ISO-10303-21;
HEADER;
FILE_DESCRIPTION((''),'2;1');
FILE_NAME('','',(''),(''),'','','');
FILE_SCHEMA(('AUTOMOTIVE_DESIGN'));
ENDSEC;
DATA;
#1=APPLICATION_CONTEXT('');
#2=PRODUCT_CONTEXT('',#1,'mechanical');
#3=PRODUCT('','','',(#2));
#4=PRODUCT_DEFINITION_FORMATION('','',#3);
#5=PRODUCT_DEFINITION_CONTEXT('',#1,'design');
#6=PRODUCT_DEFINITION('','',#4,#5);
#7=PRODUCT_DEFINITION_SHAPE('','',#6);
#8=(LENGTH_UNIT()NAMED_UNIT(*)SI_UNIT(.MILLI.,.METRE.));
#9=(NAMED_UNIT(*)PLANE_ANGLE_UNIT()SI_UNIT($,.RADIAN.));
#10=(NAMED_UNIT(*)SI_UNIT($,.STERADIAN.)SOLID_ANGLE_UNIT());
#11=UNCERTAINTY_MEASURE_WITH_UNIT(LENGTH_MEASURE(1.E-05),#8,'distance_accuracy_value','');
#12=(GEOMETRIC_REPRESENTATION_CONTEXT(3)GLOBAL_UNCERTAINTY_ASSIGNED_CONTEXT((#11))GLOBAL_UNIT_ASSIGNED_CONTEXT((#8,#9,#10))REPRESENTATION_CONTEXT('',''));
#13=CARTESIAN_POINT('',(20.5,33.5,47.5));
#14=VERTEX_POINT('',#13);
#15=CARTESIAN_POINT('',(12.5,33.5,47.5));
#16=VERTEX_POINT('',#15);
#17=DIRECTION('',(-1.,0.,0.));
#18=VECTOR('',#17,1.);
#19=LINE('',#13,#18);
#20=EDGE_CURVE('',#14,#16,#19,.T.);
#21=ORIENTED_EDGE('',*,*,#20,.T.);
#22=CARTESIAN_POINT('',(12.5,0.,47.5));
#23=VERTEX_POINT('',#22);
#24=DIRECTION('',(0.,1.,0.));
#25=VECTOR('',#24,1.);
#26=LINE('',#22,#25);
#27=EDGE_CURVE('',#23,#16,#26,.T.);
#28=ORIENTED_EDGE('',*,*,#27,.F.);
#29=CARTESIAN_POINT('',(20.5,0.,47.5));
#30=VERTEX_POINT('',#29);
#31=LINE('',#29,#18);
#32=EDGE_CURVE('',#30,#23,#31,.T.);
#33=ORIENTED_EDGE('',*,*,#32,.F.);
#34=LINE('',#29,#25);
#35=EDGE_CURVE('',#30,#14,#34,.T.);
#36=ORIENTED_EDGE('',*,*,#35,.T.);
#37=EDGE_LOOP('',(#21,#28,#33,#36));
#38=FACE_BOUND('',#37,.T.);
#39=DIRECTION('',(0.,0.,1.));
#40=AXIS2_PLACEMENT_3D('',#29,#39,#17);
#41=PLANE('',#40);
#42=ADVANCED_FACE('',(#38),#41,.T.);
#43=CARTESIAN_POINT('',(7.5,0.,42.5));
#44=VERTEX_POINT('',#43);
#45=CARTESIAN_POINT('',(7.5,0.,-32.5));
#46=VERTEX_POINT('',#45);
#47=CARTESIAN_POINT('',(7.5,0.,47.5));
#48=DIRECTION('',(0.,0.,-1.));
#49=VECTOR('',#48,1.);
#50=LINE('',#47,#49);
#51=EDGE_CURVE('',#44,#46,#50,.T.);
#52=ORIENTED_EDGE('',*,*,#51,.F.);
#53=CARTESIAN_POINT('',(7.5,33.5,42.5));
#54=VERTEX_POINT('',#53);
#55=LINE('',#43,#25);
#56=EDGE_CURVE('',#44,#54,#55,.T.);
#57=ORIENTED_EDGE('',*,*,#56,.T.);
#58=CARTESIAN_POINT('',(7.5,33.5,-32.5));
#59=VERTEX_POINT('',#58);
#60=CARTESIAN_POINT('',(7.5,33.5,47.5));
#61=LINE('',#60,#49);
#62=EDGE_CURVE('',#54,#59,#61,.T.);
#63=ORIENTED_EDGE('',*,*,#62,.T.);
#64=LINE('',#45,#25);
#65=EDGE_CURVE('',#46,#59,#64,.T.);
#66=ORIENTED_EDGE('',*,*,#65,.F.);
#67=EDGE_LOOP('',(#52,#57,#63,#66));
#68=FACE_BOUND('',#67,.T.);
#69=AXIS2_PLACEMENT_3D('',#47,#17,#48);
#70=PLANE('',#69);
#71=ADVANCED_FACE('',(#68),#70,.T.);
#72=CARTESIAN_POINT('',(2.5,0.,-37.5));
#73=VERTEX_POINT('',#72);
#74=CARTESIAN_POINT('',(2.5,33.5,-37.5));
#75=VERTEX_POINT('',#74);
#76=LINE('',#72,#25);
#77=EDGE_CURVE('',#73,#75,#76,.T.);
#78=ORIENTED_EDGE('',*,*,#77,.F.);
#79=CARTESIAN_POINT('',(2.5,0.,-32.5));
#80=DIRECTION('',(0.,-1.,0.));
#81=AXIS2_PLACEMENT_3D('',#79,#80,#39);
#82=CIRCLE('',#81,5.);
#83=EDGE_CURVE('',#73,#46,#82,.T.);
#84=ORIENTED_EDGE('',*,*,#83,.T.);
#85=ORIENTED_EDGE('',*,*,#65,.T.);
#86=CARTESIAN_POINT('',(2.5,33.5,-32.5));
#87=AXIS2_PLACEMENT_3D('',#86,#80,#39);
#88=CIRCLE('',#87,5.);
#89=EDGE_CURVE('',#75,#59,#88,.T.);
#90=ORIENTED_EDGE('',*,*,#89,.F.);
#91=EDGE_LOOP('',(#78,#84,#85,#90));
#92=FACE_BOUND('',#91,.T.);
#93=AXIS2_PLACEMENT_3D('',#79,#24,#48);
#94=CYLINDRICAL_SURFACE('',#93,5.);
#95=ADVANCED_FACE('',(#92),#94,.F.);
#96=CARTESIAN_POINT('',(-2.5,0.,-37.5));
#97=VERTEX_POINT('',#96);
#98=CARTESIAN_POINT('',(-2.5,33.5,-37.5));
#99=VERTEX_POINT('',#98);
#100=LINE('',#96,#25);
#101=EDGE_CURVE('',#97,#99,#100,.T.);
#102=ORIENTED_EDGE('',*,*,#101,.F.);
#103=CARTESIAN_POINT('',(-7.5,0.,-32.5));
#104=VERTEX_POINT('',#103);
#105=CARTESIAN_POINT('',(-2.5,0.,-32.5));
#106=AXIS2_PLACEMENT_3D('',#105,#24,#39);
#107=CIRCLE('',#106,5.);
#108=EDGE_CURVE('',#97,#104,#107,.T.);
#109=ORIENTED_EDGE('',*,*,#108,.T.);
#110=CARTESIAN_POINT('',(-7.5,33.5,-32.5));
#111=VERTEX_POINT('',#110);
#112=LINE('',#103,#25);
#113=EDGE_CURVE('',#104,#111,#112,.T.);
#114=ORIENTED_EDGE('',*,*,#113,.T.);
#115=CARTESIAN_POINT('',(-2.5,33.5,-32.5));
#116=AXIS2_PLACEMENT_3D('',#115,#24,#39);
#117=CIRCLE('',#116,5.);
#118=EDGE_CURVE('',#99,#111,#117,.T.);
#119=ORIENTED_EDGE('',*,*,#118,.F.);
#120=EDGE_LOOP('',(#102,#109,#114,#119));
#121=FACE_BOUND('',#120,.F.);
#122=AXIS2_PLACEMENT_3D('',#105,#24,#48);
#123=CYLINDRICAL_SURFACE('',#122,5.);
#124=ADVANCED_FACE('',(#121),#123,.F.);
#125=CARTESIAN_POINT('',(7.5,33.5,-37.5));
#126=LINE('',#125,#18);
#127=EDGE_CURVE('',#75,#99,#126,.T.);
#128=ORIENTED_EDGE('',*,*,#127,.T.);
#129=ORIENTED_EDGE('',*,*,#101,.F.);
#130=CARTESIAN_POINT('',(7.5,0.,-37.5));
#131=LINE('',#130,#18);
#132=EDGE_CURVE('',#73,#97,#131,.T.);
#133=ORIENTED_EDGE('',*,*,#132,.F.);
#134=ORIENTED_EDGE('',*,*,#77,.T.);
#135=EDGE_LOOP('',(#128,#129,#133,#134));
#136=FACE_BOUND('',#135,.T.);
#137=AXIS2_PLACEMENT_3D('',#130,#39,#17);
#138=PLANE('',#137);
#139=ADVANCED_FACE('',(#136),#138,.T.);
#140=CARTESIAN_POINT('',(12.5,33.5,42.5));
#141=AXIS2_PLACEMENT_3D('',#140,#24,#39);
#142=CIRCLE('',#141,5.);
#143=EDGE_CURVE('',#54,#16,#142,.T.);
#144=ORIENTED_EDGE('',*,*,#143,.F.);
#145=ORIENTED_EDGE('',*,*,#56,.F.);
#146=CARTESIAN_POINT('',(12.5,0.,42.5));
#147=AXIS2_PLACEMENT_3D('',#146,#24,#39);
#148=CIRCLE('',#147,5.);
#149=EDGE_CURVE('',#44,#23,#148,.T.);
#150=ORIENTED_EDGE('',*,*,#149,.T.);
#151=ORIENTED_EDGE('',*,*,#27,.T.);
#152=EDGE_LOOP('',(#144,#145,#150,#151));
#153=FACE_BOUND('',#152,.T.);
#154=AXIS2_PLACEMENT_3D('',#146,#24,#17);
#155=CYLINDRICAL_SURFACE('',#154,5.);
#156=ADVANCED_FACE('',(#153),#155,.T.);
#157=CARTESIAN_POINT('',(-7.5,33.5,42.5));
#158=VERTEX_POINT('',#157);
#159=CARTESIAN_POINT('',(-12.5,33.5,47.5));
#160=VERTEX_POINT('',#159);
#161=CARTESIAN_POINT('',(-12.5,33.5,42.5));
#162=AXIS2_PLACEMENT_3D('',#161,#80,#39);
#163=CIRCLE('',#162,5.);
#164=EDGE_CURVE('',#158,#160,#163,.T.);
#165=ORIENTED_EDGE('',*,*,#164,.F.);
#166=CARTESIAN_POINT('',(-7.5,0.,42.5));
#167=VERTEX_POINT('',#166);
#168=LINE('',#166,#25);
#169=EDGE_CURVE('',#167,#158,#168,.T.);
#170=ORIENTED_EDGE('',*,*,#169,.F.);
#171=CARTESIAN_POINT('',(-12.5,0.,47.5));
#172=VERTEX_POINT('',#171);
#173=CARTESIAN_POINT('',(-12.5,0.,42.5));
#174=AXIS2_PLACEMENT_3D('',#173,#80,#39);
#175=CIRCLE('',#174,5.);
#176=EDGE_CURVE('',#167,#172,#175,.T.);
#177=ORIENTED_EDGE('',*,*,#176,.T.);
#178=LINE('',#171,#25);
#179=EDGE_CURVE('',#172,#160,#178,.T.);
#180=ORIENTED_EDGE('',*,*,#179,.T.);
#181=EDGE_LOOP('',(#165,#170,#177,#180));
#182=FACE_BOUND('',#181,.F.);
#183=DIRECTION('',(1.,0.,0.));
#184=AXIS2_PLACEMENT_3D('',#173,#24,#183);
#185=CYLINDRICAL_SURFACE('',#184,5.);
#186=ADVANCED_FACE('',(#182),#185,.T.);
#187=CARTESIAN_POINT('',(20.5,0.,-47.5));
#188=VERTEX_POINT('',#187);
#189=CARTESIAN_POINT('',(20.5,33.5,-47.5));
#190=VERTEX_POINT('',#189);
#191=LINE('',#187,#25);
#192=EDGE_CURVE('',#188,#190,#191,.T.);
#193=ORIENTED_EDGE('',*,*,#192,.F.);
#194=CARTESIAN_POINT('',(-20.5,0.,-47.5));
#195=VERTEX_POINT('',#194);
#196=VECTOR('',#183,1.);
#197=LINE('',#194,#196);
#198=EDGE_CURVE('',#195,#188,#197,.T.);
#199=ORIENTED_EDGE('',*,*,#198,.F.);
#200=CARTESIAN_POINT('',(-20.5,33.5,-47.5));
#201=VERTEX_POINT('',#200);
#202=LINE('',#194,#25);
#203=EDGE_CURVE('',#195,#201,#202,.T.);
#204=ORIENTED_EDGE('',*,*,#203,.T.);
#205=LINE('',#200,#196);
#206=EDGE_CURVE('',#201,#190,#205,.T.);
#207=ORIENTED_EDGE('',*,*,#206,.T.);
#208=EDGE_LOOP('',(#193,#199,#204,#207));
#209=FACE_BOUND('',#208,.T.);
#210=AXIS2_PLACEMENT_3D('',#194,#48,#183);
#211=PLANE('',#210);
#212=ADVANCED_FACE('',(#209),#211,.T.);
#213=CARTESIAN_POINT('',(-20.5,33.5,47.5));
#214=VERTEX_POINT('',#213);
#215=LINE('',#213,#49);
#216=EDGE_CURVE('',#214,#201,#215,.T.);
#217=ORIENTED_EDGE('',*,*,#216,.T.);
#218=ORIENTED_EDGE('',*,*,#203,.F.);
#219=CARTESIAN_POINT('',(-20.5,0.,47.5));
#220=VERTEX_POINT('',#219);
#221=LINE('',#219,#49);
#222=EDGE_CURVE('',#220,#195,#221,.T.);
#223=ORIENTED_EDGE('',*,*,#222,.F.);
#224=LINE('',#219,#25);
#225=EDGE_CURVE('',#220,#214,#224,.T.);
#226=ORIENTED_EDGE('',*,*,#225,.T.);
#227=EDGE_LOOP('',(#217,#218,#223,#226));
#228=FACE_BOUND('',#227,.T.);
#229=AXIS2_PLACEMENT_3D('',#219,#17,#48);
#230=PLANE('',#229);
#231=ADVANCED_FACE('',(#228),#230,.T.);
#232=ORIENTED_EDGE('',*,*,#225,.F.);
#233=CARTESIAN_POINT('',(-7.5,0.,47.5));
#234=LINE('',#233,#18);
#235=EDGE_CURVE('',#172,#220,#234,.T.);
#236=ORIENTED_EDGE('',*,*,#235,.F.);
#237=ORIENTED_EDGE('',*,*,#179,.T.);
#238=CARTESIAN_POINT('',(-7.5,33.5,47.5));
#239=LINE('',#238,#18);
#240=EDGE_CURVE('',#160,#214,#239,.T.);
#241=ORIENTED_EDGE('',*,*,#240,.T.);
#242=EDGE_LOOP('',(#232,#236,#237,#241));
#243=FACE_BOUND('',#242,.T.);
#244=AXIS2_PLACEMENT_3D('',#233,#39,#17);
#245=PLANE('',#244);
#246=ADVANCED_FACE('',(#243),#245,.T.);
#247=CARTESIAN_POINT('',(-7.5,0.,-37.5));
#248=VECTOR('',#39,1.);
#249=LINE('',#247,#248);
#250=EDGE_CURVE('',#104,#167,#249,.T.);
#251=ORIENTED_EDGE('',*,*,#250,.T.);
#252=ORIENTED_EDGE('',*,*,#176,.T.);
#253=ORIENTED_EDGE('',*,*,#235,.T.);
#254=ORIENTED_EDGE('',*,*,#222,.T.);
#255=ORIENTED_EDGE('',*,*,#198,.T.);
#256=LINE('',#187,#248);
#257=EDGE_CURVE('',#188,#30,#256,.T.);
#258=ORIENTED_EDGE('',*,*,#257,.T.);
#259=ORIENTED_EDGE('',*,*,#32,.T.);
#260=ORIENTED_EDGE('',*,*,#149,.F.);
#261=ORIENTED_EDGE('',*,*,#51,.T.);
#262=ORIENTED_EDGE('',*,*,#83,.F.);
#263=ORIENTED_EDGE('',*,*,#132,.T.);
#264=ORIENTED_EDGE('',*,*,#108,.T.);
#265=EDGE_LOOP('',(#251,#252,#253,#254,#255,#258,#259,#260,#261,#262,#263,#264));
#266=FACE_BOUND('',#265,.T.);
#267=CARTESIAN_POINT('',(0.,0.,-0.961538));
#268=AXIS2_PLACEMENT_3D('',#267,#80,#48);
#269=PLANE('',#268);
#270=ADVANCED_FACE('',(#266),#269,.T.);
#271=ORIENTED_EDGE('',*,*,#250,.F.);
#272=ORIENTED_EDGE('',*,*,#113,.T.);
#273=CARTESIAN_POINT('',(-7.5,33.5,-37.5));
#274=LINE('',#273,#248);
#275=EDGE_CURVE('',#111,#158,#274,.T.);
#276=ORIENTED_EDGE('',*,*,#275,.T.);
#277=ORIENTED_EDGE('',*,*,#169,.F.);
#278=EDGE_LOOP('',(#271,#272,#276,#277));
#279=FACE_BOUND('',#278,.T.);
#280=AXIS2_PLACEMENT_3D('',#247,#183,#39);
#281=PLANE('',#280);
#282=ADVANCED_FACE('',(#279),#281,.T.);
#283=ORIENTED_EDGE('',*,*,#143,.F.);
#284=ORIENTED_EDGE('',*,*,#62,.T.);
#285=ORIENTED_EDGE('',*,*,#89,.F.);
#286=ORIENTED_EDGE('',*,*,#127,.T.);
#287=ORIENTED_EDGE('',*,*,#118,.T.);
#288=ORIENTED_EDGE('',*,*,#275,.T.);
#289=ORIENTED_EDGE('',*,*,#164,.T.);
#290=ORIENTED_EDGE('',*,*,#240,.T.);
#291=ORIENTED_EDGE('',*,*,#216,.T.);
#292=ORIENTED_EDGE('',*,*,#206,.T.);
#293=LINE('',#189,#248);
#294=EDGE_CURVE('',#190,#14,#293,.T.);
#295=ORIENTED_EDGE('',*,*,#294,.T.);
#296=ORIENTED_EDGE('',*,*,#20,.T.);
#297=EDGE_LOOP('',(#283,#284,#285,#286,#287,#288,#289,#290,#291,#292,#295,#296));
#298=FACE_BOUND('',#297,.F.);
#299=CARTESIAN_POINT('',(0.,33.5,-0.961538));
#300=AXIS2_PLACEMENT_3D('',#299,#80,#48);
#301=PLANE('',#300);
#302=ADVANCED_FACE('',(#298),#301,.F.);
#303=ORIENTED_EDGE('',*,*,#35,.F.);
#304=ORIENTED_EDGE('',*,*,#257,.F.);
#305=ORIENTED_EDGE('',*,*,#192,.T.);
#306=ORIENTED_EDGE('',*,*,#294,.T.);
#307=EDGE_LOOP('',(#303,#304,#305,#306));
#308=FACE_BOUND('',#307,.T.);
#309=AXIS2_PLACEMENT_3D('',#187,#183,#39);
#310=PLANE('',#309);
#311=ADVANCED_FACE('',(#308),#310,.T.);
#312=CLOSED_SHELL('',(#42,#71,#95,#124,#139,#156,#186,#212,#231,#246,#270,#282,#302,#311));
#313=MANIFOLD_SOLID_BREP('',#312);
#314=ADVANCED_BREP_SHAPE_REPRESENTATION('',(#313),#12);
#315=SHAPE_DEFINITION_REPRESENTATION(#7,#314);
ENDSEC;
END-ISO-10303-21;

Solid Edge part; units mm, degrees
sketch "Sketch1" plane through (0, 0, 0) normal (0, -1, 0) x (1, 0, 0)
  line L0 (7.5, -37.5) -> (-7.5, -37.5)
  line L1 (-7.5, -37.5) -> (-7.5, 47.5)
  line L2 (-7.5, 47.5) -> (-20.5, 47.5)
  line L3 (-20.5, 47.5) -> (-20.5, -47.5)
  line L4 (-20.5, -47.5) -> (20.5, -47.5)
  line L5 (20.5, -47.5) -> (20.5, 47.5)
  line L6 (20.5, 47.5) -> (7.5, 47.5)
  line L7 (7.5, 47.5) -> (7.5, -37.5)
extrude "Protrusion1" add sketch "Sketch1" against normal blind 33.5
fillet "Round1" radius 5 2 edges at (7.5, 16.75, -37.5) (-7.5, 16.75, -37.5)
fillet "Round2" radius 5 2 edges at (7.5, 16.75, 47.5) (-7.5, 16.75, 47.5)
